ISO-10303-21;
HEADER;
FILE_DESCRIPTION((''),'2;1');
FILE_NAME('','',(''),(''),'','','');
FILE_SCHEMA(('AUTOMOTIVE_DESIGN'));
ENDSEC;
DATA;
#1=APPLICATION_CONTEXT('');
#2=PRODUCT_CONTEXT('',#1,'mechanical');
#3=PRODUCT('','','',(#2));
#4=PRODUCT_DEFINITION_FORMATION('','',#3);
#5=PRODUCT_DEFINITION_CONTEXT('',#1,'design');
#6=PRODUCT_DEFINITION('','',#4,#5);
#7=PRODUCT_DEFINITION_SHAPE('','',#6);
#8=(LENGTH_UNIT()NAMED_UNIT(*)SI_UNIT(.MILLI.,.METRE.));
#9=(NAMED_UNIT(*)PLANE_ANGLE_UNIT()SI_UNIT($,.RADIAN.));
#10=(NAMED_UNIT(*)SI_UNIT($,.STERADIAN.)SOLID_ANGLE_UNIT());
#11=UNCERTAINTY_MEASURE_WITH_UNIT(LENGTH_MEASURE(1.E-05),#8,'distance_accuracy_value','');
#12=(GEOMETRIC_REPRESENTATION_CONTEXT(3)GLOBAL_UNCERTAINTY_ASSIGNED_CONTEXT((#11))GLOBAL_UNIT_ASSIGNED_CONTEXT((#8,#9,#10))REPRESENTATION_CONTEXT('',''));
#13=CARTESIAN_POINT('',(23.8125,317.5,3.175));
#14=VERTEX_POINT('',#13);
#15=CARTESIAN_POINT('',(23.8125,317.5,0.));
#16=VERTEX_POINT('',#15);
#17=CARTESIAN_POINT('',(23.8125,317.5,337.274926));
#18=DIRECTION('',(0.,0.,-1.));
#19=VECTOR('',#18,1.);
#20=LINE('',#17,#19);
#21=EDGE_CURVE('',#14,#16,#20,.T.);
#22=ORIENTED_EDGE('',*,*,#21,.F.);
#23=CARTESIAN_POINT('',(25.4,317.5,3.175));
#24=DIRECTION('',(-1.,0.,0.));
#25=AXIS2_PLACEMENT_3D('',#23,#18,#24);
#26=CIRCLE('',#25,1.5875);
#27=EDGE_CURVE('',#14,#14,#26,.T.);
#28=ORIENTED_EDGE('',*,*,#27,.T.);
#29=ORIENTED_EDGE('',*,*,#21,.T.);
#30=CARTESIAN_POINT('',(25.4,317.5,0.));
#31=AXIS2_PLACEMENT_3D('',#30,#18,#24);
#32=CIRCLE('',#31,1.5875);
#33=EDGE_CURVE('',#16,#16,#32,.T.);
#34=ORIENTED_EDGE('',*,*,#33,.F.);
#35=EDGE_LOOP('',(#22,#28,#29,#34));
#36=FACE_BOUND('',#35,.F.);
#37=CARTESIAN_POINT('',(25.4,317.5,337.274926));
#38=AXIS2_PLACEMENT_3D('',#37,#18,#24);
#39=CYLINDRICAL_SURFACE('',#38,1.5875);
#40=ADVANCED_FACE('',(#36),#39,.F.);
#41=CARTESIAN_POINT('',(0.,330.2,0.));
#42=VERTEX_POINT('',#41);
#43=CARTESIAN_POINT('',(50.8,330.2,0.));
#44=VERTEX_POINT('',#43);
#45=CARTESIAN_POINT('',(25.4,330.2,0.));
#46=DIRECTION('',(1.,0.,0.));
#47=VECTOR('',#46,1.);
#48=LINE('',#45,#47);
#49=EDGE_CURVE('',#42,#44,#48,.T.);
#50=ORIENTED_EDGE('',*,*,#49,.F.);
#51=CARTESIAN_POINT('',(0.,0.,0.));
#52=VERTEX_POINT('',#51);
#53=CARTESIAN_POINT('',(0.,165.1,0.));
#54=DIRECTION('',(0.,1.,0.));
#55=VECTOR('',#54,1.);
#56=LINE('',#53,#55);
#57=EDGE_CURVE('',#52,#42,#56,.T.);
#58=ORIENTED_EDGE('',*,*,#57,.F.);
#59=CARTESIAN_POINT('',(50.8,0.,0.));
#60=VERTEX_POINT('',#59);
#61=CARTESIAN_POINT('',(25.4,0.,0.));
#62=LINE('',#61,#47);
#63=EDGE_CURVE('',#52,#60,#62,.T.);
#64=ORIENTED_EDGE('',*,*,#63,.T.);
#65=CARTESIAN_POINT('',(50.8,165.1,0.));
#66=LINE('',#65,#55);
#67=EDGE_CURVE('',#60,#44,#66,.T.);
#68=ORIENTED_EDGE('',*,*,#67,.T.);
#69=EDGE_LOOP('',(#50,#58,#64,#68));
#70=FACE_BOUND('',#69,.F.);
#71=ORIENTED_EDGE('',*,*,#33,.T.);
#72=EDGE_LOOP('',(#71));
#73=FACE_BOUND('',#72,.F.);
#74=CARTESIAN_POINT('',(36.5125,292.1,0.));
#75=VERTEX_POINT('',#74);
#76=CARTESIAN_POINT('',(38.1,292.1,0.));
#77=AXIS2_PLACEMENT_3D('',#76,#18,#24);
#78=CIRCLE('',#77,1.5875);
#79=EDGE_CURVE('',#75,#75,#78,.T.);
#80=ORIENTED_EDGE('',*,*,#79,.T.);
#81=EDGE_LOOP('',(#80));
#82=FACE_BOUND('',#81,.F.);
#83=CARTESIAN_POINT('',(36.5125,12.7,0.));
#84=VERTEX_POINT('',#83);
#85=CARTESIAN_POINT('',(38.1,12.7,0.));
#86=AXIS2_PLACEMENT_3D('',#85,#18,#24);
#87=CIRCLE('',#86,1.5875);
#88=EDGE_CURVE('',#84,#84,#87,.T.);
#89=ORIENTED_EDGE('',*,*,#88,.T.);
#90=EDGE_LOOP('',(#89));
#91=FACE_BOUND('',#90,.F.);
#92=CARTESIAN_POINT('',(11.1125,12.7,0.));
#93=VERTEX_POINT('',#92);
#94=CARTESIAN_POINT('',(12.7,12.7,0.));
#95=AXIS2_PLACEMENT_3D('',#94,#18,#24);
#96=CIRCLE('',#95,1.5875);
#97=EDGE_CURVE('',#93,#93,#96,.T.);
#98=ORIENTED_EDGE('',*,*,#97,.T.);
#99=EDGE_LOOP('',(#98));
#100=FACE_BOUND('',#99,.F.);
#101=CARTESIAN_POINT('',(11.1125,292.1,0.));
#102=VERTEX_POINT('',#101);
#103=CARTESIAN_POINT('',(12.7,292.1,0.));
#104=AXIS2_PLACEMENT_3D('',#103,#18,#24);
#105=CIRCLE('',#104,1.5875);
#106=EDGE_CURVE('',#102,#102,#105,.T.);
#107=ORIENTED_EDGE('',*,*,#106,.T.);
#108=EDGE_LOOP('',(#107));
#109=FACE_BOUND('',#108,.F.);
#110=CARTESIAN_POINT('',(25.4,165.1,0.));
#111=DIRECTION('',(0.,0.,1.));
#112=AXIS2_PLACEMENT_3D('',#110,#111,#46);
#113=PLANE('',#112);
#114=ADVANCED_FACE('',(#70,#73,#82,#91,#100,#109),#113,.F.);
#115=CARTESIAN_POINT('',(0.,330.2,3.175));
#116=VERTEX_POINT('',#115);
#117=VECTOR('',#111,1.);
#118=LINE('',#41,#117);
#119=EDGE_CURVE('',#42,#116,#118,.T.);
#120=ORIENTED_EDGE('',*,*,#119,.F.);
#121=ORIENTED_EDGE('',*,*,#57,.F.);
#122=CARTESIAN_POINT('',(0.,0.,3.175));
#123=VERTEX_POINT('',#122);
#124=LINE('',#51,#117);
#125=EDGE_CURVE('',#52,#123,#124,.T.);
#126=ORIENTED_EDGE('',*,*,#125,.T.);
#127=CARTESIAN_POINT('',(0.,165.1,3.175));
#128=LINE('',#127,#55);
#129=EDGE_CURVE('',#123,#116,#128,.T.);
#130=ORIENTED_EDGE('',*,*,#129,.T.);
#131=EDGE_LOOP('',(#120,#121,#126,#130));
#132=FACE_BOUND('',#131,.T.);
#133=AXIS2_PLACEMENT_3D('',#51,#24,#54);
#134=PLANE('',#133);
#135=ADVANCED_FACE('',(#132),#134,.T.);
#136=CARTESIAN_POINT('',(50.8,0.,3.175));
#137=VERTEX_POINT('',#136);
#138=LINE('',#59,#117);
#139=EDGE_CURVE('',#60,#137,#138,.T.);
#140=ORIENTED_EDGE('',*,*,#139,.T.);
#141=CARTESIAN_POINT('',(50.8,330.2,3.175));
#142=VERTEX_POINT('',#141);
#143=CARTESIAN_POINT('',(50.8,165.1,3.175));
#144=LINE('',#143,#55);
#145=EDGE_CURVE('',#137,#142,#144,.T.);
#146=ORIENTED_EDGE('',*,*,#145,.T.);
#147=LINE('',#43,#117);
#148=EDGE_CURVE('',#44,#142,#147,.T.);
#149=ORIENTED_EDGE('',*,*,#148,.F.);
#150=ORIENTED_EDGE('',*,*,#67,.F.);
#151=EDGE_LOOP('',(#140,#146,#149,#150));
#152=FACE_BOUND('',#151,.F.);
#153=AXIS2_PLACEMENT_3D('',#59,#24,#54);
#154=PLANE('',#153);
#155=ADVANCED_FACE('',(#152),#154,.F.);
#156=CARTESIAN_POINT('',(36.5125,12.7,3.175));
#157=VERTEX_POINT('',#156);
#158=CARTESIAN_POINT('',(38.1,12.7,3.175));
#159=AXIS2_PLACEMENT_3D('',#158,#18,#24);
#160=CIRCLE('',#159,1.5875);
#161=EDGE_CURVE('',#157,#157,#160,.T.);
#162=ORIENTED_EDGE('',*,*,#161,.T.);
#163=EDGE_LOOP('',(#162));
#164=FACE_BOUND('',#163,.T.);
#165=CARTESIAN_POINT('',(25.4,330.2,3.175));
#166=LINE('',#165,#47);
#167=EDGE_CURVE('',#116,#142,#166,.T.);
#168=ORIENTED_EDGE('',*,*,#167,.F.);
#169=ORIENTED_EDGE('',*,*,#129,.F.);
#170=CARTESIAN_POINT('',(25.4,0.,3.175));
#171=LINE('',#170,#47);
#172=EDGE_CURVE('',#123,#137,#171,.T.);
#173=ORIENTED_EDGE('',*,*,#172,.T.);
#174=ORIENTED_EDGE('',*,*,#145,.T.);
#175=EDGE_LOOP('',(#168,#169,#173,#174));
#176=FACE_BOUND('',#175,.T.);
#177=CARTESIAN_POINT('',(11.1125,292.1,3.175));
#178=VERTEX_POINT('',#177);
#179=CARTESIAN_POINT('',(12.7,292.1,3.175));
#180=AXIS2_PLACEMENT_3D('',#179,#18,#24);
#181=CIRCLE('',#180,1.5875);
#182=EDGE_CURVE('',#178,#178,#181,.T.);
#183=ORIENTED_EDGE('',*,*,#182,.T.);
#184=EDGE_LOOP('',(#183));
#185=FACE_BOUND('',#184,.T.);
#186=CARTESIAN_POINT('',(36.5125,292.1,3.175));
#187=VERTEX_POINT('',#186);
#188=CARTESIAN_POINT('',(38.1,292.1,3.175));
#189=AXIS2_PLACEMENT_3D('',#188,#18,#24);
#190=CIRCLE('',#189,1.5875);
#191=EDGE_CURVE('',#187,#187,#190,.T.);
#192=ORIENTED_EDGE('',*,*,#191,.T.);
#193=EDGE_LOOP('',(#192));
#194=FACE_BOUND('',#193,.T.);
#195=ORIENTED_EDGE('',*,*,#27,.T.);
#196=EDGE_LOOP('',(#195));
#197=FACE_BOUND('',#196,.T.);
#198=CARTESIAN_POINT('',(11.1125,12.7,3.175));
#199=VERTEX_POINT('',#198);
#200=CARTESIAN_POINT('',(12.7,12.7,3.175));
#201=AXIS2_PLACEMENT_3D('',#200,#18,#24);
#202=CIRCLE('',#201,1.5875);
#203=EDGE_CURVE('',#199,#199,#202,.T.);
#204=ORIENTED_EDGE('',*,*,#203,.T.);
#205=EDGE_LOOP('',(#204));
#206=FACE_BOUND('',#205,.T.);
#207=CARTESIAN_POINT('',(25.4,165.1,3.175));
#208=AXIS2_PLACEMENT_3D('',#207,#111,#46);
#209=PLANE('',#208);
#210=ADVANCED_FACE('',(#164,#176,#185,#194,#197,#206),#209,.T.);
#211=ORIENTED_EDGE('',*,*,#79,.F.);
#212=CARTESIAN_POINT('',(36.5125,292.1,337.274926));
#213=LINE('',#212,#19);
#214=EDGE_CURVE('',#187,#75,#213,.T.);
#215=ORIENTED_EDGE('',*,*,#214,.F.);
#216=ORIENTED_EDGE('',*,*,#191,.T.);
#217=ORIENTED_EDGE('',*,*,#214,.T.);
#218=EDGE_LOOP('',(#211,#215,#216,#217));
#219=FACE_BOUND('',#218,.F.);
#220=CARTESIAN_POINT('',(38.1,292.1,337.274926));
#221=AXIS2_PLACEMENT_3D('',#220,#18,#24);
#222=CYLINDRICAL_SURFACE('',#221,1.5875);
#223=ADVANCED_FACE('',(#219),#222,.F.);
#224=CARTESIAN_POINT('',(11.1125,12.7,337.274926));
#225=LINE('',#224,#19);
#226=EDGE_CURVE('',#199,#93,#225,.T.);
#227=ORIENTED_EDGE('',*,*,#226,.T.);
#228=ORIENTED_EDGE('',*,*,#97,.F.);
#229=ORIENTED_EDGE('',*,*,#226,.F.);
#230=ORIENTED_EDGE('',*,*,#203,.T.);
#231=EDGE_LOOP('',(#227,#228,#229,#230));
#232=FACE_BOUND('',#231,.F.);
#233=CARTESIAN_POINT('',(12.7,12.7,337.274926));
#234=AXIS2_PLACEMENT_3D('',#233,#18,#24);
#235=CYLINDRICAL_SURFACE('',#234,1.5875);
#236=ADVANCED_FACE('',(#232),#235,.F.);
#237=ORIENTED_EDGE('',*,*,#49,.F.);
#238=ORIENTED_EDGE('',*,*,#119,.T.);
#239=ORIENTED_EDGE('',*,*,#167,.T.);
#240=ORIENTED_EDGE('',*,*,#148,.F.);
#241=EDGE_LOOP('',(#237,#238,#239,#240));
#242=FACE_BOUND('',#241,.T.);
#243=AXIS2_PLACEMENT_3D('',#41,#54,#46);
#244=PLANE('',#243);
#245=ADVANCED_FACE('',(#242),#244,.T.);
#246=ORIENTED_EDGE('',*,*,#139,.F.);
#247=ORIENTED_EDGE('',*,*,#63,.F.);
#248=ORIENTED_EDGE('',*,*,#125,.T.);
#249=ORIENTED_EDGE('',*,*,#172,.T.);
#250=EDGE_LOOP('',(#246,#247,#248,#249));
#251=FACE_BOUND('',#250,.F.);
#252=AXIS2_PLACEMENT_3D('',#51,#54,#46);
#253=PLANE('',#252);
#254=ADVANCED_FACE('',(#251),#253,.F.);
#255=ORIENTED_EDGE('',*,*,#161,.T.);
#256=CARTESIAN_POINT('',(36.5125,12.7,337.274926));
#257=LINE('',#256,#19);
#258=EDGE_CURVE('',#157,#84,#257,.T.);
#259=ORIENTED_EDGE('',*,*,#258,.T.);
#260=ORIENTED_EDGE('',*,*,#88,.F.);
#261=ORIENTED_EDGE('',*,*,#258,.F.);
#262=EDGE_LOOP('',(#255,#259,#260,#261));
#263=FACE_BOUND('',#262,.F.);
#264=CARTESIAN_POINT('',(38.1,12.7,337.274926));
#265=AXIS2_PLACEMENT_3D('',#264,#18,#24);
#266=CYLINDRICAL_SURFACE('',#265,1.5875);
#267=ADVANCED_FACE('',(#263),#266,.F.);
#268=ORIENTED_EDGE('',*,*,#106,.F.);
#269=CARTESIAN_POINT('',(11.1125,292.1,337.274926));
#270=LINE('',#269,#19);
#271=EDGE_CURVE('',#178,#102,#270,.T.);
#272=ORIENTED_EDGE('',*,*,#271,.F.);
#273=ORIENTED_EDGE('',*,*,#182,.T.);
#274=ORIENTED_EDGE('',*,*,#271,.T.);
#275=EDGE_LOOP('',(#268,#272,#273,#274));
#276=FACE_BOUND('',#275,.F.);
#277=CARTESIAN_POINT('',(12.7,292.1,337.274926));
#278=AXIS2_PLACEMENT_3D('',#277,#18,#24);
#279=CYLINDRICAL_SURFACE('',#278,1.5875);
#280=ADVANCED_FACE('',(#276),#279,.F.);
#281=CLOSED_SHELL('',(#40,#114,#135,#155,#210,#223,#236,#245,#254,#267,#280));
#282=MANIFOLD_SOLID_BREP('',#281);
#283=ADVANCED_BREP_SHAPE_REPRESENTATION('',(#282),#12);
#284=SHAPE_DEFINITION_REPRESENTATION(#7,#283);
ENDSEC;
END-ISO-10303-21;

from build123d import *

# Parameters (mm, degrees)
F0_W     = 50.8
F0_H     = 330.2
F1_DEPTH = 3.175
F3_D     = 3.175


with BuildPart() as f1:
    # F0 (on Top) → F1 (new body)
    with BuildSketch(Plane.XY):
        with Locations((25.4, 165.1)):
            Rectangle(F0_W, F0_H)
    extrude(amount=F1_DEPTH)

    # F3 (through all)
    with Locations(Plane.XY.offset(3.175)):
        with Locations((12.7, 292.1), (25.4, 317.5), (38.1, 292.1), (12.7, 12.7), (38.1, 12.7)):
            Hole(F3_D / 2)


solid = f1.part
